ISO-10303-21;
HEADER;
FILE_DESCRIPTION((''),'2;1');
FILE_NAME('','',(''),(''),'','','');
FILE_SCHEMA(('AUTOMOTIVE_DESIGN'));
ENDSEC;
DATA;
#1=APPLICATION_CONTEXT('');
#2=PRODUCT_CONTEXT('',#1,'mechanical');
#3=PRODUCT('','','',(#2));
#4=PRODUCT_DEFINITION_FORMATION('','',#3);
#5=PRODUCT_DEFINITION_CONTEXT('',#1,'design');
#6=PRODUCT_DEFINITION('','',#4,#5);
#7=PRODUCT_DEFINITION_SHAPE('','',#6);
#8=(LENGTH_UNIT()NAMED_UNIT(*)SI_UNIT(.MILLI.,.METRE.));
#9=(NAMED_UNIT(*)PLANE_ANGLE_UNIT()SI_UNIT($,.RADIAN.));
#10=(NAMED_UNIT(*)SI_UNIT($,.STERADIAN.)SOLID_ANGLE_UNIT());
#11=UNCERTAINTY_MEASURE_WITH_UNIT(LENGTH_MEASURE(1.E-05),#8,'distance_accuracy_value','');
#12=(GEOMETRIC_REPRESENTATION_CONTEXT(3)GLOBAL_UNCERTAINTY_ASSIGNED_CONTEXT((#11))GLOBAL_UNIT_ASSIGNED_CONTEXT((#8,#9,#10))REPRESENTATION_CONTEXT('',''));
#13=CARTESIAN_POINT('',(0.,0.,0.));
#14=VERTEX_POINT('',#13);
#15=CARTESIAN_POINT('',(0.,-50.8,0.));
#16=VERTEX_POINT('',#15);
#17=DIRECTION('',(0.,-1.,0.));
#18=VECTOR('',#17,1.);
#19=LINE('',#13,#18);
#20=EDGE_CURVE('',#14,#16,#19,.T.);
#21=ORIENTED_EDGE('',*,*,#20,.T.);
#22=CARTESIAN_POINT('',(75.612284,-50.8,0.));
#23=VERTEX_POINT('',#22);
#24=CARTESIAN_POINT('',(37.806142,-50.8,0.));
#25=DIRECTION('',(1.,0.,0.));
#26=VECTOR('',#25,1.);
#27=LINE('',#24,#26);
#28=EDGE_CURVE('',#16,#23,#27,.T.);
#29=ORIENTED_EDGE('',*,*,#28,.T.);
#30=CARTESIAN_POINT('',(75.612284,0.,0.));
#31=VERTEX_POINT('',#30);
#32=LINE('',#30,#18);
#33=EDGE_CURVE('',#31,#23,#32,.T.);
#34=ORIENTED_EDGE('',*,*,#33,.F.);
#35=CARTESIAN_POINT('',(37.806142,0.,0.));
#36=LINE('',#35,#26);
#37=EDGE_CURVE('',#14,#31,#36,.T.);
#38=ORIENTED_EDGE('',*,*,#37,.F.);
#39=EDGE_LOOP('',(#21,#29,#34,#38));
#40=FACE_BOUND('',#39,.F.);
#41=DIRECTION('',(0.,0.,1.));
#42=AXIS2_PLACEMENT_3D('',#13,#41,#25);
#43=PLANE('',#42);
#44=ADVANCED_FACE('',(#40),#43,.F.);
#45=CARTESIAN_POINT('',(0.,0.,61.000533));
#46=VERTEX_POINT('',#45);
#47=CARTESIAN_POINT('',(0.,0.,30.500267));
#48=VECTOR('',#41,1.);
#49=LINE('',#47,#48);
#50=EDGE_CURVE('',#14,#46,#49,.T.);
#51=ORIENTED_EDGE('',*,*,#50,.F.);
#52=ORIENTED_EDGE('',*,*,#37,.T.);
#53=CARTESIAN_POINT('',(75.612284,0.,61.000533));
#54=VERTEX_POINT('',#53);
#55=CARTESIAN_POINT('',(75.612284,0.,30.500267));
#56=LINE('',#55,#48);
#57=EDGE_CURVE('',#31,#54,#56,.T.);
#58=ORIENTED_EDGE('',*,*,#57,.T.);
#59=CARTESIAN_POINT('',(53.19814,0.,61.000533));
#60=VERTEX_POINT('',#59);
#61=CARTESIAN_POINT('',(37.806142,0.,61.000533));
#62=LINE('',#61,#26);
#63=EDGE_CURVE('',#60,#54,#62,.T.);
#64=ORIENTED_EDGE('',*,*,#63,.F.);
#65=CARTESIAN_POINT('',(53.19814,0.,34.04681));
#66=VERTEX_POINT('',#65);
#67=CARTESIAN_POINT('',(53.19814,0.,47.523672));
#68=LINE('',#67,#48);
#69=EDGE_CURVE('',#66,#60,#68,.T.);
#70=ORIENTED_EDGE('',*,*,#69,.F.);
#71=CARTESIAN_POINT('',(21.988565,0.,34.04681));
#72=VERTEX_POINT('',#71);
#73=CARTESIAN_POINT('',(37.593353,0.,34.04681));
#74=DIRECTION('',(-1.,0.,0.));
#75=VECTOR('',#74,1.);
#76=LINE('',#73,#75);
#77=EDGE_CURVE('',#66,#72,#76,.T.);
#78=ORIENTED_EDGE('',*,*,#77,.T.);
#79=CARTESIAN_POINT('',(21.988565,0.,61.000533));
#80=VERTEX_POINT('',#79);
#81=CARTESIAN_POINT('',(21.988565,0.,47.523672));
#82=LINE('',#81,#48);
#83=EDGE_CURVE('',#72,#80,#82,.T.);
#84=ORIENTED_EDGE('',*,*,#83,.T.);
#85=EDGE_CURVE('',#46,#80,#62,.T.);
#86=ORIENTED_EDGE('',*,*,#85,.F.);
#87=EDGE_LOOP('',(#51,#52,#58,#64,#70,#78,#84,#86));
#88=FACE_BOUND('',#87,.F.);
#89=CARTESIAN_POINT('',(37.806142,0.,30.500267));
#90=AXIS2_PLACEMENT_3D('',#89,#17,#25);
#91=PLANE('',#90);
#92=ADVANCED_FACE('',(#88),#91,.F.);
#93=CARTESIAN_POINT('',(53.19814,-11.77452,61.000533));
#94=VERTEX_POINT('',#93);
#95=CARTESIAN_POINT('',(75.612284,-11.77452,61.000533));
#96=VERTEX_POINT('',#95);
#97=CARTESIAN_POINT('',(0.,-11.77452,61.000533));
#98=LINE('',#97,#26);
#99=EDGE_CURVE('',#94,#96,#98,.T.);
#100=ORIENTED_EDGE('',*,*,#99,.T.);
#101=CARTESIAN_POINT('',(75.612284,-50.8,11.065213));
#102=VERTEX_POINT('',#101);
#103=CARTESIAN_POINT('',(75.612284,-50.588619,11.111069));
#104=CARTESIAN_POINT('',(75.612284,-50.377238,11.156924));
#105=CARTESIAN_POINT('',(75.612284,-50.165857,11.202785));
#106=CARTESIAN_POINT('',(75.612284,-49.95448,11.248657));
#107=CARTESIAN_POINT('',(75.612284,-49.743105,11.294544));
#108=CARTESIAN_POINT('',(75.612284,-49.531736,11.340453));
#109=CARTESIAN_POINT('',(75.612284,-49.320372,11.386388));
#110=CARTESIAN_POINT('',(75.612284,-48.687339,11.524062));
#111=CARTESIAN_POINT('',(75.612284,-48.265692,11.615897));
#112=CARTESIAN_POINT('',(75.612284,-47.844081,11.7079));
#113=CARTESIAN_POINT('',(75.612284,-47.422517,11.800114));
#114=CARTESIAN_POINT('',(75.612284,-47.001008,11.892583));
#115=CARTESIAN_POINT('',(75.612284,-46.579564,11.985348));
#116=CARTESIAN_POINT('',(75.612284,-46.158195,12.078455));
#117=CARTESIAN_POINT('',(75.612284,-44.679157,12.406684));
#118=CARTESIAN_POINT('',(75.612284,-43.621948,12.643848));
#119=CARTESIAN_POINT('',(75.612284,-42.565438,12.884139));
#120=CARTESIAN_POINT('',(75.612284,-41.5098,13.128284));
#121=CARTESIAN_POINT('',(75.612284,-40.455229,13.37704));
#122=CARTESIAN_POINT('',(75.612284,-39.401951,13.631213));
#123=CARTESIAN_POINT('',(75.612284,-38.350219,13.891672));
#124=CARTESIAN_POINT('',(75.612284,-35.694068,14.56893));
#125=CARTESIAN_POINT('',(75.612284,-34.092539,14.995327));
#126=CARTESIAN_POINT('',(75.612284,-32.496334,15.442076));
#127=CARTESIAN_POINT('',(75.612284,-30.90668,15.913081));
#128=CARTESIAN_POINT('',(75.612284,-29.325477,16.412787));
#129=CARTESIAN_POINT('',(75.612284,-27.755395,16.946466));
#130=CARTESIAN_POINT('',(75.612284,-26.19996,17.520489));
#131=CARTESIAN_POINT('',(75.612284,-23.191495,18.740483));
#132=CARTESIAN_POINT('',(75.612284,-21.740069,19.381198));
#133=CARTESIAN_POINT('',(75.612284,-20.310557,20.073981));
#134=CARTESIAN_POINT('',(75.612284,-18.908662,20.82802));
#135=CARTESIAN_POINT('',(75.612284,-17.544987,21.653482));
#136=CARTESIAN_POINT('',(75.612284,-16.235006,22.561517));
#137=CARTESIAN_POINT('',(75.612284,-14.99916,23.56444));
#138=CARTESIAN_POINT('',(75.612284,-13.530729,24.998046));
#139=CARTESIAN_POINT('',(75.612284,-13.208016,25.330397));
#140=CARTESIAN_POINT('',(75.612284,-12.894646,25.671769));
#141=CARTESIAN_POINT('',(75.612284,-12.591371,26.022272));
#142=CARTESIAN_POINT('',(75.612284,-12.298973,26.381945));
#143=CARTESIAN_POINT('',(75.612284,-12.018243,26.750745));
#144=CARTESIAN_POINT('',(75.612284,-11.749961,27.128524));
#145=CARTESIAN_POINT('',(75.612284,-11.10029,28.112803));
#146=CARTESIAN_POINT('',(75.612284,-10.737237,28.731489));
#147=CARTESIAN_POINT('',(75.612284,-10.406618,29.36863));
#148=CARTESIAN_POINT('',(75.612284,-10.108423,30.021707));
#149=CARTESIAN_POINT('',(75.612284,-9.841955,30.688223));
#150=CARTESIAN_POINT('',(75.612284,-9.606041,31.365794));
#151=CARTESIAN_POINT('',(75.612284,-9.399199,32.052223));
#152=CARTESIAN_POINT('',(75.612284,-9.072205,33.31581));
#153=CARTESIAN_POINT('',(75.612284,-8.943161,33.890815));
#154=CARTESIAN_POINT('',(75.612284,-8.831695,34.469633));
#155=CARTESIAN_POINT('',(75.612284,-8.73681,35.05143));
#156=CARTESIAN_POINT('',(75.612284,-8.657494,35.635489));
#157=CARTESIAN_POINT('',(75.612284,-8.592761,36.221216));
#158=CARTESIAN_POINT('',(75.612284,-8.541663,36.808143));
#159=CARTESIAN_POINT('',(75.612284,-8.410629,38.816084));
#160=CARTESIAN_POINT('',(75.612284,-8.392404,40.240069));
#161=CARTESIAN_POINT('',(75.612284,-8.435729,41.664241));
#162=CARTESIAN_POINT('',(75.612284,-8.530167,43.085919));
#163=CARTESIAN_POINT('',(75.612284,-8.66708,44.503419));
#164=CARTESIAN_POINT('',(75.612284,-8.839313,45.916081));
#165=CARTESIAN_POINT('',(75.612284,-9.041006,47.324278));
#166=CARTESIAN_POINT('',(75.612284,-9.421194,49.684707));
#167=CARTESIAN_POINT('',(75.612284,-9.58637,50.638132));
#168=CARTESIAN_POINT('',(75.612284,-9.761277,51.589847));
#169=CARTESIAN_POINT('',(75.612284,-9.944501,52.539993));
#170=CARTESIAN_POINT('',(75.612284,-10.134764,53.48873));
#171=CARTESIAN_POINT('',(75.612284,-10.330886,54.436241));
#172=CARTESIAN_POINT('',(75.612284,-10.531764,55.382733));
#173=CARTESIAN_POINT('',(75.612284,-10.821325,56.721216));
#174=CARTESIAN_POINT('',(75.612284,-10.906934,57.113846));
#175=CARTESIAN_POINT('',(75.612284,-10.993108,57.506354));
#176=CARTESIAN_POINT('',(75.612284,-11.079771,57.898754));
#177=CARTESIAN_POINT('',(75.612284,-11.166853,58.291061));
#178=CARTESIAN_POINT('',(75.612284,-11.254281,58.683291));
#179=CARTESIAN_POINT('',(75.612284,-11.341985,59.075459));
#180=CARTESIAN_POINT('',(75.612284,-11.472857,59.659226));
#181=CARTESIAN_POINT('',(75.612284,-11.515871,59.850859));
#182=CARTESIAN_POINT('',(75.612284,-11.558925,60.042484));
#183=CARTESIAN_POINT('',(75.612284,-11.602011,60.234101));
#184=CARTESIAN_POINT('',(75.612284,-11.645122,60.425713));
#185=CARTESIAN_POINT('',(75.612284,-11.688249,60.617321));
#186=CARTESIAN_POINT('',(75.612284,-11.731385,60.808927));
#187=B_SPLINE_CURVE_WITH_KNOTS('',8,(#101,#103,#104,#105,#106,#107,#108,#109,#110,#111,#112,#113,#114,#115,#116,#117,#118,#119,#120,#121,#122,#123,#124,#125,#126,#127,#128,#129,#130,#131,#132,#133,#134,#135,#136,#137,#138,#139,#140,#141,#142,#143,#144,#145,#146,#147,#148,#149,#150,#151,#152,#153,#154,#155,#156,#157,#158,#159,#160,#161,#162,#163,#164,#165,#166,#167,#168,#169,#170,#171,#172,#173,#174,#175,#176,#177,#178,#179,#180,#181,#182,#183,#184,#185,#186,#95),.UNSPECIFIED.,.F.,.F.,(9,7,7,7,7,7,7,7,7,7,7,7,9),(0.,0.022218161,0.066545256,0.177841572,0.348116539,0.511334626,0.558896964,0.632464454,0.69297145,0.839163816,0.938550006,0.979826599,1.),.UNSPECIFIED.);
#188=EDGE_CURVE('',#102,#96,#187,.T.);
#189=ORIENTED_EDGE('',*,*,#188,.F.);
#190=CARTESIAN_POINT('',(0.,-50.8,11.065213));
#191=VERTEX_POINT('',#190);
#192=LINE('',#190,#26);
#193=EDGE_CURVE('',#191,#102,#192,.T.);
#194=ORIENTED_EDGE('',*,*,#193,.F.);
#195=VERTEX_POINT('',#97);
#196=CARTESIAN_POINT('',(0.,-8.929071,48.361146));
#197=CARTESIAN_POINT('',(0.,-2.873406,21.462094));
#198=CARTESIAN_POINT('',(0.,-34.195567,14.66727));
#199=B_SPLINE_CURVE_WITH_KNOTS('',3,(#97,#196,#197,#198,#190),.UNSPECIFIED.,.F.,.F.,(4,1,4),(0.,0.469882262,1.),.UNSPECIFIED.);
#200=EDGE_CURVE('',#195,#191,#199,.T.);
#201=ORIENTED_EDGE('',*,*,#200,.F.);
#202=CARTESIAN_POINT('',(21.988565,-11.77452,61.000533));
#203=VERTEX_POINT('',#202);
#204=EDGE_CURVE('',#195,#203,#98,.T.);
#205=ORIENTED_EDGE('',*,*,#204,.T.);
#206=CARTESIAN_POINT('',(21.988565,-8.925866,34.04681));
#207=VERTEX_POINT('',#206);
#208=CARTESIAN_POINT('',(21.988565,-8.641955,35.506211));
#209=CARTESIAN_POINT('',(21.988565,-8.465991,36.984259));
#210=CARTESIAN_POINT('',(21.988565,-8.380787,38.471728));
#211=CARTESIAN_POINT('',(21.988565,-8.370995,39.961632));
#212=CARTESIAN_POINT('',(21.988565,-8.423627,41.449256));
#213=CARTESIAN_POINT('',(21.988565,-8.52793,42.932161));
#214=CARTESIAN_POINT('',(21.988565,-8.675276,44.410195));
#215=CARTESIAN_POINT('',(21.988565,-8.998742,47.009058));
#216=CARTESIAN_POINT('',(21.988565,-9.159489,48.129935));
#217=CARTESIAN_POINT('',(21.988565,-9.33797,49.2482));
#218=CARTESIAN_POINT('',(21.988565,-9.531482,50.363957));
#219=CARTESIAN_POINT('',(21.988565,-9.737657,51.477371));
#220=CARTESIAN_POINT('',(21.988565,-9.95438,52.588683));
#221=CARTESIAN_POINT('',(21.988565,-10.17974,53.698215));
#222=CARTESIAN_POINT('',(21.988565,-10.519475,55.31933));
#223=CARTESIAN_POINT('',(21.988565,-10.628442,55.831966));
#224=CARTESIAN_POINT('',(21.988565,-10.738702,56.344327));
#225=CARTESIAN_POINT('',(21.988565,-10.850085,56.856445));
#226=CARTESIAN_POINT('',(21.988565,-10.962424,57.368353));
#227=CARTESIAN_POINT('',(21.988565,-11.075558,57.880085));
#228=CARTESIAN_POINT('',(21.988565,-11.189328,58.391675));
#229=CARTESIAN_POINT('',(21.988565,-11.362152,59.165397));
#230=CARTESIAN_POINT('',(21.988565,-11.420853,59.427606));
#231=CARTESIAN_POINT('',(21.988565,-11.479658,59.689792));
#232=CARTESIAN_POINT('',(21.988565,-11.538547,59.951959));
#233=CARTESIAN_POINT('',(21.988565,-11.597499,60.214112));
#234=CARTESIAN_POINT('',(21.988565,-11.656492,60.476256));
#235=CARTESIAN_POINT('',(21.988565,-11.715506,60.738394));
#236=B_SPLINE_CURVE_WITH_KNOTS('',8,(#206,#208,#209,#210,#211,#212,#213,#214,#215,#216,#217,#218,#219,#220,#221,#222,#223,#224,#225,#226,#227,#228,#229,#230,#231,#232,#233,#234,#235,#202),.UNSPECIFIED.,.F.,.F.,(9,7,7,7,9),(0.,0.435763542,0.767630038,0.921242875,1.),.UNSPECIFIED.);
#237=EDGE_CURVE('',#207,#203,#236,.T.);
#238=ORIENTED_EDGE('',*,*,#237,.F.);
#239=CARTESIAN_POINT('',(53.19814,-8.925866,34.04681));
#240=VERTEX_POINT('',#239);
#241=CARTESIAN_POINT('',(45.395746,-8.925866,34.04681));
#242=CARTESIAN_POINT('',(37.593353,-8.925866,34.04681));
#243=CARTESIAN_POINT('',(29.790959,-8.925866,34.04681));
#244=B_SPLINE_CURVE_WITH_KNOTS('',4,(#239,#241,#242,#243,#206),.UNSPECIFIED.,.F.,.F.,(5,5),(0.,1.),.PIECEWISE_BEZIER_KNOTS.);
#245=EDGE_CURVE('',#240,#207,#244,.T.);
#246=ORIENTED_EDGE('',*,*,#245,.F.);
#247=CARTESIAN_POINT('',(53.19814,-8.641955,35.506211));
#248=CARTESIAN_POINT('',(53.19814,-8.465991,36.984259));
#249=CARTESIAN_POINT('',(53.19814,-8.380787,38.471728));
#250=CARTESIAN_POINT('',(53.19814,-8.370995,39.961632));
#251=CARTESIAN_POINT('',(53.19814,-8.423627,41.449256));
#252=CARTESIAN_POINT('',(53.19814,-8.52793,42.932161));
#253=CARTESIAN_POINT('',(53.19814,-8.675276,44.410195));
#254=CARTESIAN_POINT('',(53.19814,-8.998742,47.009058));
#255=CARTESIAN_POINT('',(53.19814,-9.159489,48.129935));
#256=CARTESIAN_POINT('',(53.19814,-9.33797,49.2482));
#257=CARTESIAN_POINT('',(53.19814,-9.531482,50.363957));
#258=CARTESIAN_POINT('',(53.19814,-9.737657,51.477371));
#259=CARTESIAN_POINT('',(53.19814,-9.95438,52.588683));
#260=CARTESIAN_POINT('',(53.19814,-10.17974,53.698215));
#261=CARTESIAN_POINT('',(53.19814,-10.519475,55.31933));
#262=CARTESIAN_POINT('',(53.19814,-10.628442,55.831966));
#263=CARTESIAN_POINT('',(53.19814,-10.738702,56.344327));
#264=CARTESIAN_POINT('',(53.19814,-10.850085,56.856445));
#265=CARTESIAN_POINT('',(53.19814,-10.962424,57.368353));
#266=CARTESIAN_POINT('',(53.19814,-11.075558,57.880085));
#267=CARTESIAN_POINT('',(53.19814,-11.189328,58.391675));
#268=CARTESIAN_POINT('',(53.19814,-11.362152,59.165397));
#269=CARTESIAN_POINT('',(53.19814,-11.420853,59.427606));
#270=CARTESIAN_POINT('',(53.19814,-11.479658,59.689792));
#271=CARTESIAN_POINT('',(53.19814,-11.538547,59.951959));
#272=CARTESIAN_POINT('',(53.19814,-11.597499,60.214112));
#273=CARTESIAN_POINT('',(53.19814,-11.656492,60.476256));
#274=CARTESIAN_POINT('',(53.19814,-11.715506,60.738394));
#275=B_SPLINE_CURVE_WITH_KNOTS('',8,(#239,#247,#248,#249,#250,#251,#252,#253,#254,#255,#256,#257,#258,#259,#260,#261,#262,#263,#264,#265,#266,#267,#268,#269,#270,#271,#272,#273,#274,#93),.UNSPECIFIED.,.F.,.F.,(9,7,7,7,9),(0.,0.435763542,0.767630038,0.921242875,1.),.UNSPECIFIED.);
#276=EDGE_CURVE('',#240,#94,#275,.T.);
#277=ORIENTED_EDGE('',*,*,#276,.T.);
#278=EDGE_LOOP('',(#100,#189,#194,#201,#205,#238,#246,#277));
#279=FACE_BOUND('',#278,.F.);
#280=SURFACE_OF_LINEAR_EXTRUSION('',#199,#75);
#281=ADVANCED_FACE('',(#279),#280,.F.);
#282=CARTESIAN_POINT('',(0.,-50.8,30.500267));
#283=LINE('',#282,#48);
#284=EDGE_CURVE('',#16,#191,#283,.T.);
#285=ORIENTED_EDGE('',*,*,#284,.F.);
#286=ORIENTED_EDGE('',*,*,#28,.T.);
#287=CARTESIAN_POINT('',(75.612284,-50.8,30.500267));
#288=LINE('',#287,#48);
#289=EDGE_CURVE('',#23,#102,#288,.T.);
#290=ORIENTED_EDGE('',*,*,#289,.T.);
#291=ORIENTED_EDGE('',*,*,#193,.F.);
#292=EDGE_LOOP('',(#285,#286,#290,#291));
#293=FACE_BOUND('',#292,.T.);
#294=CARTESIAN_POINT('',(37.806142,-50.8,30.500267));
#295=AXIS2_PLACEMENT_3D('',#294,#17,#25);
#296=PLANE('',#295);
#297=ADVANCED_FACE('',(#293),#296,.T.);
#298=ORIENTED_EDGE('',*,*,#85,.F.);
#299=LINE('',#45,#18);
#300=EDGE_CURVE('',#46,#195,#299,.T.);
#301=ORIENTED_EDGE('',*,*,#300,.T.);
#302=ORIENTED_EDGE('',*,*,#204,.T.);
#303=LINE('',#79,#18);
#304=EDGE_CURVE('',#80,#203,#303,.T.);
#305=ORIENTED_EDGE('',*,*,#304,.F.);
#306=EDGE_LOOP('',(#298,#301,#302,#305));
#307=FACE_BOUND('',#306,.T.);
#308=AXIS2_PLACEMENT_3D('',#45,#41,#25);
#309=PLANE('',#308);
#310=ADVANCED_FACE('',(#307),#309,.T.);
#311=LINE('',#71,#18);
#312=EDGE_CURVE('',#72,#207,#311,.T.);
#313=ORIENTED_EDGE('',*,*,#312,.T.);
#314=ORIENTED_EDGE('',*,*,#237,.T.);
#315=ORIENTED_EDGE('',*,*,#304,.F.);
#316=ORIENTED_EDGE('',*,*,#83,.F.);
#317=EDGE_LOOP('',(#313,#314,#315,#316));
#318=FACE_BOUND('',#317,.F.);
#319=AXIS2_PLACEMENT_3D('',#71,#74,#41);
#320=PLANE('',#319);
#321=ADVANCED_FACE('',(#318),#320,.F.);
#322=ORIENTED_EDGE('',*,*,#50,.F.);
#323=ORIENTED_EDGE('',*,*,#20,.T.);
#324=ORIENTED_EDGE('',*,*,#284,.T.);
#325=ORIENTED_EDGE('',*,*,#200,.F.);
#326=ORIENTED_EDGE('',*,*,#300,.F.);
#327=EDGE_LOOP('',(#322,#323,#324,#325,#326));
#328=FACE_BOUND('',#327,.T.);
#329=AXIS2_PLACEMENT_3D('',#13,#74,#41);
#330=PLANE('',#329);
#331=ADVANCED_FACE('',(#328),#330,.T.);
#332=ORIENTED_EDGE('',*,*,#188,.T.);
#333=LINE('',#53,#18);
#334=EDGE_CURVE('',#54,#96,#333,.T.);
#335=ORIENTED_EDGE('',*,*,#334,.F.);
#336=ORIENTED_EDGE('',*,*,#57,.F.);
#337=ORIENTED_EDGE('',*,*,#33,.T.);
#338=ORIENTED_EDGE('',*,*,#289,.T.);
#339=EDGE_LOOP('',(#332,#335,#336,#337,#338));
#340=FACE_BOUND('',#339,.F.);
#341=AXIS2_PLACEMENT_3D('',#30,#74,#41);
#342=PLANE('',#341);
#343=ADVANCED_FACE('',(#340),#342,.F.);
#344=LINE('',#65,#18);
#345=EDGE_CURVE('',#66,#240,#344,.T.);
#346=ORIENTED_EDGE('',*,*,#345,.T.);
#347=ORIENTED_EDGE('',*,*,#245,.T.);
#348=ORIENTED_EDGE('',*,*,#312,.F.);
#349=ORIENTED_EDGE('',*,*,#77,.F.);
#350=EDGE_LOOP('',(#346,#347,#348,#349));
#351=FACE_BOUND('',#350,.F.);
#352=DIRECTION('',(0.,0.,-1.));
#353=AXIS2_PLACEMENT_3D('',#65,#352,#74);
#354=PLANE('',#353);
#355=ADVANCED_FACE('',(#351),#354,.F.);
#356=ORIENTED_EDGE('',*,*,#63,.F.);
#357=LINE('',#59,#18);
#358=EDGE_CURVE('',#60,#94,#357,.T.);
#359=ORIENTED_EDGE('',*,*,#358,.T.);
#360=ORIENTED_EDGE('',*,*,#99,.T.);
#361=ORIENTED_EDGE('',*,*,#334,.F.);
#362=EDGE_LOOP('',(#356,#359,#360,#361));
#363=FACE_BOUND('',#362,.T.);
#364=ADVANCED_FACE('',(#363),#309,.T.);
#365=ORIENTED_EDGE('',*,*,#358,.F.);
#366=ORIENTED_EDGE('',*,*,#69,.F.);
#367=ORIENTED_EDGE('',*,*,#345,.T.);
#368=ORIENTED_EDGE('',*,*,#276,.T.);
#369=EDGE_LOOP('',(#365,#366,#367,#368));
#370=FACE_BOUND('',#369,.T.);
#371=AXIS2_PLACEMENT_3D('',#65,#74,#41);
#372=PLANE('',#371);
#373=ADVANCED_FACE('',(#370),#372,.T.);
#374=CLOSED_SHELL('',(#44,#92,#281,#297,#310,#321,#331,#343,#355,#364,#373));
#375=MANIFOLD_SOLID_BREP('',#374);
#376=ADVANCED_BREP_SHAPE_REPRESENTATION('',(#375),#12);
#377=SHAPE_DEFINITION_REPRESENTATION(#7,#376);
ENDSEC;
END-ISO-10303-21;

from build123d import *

# Parameters (mm, degrees)
F0_W     = 75.6122842431
F0_H     = 61.000533402
F1_DEPTH = 50.8
F3_DEPTH = 76.2
F4_W     = 31.2095750123
F4_H     = 26.9537232816
F5_DEPTH = 25.4


with BuildPart() as f1:
    # F0 (on Front) → F1 (new body)
    with BuildSketch(Plane.XZ):
        with Locations((37.8061421216, 30.500266701)):
            Rectangle(F0_W, F0_H)
    extrude(amount=F1_DEPTH)

    # F2 (on face) → F3 (cut)
    with BuildSketch(Plane(origin=(0, 0, 0), x_dir=(0, -1, 0), z_dir=(-1, 0, 0))):
        with BuildLine():
            Line((50.8, 61.000533402), (11.7745203897, 61.000533402))
            add(Edge.make_bspline(
                [(11.7745203897, 61.000533402), (8.9290710165, 48.3611461348), (2.8734064272, 21.462094399), (34.1955670512, 14.6672699688), (50.8, 11.0652130097)],
                knots=[0, 0, 0, 0, 0.4698822617, 1, 1, 1, 1], degree=3))
            Line((50.8, 11.0652130097), (50.8, 61.000533402))
        make_face()
    extrude(amount=-F3_DEPTH, mode=Mode.SUBTRACT)

    # F4 (on face) → F5 (cut)
    with BuildSketch(Plane(origin=(0, 0, 0), x_dir=(-1, 0, 0), z_dir=(0, 1, 0))):
        with Locations((-37.5933526084, 47.5236717612)):
            Rectangle(F4_W, F4_H)
    extrude(amount=-F5_DEPTH, mode=Mode.SUBTRACT)


solid = f1.part
